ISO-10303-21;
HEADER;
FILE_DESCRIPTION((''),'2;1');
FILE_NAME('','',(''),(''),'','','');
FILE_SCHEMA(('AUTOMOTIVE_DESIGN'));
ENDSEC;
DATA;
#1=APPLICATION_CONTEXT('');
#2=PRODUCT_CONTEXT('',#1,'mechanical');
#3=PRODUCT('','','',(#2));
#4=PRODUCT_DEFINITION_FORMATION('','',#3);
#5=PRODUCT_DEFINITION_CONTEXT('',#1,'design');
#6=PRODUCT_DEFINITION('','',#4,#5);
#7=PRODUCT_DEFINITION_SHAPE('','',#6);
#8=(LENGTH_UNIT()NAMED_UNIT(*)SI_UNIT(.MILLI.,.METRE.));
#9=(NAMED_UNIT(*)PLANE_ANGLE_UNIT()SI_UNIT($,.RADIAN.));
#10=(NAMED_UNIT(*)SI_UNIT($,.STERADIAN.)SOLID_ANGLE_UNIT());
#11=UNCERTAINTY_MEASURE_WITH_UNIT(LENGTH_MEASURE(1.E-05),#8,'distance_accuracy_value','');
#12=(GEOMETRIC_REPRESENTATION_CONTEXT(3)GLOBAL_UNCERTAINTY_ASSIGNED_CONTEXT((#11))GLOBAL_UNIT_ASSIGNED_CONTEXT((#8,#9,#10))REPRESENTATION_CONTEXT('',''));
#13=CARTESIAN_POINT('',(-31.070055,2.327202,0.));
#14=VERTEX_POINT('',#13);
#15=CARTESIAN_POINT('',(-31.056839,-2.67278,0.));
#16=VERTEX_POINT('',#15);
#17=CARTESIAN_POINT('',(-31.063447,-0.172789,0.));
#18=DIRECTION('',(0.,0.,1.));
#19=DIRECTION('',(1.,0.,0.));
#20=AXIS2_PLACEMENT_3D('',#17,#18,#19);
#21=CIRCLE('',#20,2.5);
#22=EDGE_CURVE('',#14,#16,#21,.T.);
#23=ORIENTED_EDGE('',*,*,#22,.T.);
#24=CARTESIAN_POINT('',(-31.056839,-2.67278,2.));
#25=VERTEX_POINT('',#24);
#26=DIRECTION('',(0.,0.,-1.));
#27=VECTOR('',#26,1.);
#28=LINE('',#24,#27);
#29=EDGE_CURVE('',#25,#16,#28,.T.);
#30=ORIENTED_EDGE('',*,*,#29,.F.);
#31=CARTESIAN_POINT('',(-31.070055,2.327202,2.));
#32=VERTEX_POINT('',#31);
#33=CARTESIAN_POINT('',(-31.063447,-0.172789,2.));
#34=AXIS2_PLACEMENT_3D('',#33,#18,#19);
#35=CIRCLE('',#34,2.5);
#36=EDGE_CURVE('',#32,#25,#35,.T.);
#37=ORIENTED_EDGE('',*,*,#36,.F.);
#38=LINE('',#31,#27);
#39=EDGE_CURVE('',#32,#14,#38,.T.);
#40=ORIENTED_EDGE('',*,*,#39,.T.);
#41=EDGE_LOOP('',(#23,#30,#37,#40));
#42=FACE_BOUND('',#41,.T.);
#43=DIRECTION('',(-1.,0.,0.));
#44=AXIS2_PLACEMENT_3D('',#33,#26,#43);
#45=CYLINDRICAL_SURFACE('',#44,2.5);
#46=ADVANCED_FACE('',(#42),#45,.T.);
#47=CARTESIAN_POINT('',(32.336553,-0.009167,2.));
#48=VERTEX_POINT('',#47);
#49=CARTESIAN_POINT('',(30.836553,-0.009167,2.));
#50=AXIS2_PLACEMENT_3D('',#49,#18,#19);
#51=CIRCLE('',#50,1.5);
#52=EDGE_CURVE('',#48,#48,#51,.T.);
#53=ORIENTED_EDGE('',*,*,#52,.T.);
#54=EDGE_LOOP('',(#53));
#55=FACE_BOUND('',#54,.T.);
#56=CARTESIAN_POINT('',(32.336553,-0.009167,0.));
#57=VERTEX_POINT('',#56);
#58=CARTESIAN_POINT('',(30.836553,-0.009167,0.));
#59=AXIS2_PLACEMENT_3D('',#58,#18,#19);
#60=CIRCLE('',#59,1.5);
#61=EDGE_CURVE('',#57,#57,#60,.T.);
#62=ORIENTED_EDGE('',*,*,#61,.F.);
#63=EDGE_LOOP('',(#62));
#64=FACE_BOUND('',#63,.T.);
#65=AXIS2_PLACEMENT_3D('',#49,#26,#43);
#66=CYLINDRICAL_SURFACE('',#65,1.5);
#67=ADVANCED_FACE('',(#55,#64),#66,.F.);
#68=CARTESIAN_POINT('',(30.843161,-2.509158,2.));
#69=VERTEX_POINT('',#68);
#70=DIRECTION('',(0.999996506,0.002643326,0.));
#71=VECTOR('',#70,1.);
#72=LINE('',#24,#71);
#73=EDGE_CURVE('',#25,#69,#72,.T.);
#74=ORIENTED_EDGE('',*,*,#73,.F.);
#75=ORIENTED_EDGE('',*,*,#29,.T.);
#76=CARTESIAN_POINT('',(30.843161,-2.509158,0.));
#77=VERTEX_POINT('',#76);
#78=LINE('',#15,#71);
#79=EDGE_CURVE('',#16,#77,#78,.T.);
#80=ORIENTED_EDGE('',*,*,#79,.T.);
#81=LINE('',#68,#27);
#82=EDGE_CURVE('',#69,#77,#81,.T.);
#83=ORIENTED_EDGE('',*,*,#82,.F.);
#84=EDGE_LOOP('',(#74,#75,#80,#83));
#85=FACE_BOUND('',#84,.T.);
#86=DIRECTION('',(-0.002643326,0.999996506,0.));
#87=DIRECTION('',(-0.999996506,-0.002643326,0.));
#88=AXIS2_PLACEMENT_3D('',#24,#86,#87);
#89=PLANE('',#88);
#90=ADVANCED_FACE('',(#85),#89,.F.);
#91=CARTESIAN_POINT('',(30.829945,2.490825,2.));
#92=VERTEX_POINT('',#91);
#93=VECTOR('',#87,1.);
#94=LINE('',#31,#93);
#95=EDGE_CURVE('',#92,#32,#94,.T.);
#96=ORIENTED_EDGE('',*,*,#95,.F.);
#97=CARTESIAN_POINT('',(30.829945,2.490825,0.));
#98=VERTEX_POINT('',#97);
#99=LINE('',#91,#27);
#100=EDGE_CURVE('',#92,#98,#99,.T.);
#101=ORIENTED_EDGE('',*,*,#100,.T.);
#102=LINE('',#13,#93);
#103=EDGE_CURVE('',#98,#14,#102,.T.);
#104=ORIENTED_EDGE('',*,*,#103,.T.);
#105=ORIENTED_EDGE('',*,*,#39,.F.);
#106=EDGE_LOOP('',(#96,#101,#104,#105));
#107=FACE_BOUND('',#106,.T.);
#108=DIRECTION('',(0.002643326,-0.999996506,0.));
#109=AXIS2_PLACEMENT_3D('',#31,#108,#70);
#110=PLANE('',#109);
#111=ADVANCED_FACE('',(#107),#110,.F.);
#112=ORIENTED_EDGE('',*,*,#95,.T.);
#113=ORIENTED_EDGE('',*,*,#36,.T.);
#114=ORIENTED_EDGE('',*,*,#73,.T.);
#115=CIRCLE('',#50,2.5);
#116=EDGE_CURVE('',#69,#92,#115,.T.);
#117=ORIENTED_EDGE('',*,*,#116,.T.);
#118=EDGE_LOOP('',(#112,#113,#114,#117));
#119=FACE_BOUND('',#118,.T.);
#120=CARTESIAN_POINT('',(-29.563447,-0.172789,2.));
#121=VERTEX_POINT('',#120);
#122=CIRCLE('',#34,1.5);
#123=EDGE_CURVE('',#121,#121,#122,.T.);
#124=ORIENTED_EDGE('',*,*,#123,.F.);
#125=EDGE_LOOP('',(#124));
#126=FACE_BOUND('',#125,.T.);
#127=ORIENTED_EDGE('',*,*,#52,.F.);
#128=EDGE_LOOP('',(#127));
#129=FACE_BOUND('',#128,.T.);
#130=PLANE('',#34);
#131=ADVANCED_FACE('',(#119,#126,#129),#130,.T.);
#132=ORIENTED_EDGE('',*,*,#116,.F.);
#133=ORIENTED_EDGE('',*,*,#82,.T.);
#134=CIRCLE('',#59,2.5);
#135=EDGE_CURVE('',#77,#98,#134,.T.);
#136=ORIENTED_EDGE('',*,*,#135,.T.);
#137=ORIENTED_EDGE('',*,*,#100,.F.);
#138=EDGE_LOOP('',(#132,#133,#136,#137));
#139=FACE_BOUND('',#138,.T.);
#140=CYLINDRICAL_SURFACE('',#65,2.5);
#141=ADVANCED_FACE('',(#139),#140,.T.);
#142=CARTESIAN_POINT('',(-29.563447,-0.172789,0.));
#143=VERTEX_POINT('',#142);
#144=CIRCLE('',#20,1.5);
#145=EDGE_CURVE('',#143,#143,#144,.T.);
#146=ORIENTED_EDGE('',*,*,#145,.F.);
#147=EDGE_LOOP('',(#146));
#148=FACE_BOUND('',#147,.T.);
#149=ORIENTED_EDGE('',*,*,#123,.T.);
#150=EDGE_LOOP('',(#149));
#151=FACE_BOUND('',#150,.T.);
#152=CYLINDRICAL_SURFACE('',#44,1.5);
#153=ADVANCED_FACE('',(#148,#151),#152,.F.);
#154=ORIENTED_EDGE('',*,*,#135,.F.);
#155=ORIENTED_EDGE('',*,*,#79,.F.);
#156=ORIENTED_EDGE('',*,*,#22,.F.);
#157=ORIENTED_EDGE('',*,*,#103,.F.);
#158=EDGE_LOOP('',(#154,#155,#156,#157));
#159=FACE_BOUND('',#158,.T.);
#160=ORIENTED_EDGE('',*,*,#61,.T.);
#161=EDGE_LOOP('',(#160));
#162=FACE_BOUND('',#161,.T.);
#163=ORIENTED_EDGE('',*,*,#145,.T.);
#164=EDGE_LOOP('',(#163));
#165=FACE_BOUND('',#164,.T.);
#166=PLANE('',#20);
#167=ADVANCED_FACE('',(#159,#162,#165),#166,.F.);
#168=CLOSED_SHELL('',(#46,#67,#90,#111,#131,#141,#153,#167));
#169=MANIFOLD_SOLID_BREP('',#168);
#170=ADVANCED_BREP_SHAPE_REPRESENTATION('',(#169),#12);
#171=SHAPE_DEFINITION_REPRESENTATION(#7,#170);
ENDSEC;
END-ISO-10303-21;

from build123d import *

# Parameters (mm, degrees)
SKETCH1_R           = 1.5
BOSS_EXTRUDE1_DEPTH = 2


with BuildPart() as part:
    # Sketch1 → Boss-Extrude1 (new body)
    with BuildSketch(Plane.XY):
        with BuildLine():
            Line((-31.070055299, 2.327202181), (30.829944701, 2.490824643))
            ThreePointArc((30.829944701, 2.490824643), (33.336544283, -0.002558308), (30.843161332, -2.509157889))
            Line((30.843161332, -2.509157889), (-31.056838668, -2.672780351))
            ThreePointArc((-31.056838668, -2.672780351), (-33.563438249, -0.1793974), (-31.070055299, 2.327202181))
        make_face()
        with Locations((-31.063446983, -0.172789085)):
            Circle(SKETCH1_R, mode=Mode.SUBTRACT)
        with Locations((30.836553017, -0.009166623)):
            Circle(SKETCH1_R, mode=Mode.SUBTRACT)
    extrude(amount=BOSS_EXTRUDE1_DEPTH)


solid = part.part
